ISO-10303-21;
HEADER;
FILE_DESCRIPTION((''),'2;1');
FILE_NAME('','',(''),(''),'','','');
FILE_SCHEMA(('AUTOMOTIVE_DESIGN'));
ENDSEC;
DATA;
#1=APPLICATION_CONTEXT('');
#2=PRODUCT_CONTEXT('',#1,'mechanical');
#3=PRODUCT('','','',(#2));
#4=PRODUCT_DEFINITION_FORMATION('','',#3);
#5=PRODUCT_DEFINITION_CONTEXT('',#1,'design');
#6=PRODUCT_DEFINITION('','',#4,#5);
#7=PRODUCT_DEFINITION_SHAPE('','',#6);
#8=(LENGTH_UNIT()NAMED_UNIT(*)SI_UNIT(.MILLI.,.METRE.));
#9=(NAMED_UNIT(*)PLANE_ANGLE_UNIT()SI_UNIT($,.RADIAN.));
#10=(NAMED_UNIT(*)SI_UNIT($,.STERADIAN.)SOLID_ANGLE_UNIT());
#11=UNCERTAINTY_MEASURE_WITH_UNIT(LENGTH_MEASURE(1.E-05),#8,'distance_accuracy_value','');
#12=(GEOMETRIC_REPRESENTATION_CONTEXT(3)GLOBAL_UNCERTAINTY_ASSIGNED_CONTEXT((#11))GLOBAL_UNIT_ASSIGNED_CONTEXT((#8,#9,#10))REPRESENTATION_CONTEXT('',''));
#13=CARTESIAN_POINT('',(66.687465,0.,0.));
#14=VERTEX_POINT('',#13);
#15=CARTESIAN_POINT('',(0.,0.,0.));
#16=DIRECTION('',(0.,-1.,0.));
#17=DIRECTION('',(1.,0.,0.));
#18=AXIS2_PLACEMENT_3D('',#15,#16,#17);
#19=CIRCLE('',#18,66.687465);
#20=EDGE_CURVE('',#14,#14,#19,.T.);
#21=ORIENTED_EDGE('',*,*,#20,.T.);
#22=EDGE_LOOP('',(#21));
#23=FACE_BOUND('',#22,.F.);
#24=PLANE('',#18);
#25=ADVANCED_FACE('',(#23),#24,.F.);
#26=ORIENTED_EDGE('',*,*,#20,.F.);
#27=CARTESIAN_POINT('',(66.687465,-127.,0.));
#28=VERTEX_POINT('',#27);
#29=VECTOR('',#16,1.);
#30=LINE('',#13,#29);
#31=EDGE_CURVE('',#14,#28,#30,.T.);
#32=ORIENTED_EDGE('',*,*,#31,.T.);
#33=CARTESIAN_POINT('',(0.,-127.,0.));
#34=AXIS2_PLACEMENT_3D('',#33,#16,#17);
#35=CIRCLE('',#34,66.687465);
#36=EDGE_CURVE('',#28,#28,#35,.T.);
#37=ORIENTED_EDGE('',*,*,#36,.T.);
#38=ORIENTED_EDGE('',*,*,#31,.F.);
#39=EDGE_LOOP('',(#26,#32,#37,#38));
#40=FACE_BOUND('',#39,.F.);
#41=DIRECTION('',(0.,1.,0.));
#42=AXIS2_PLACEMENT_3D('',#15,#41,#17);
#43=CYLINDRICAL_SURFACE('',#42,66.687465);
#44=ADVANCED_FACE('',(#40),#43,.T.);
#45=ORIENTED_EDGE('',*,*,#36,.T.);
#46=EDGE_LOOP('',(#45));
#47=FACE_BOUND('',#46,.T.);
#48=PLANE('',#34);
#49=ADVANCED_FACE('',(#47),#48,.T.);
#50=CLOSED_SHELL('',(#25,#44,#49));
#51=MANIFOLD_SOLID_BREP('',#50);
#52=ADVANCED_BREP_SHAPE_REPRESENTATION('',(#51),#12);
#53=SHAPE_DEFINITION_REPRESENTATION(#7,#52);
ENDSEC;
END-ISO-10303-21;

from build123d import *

# Parameters (mm, degrees)
F1_R     = 66.687465
F2_DEPTH = 127


with BuildPart() as f2:
    # F1 (on face) → F2 (new body)
    with BuildSketch(Plane.XZ):
        Circle(F1_R)
    extrude(amount=F2_DEPTH)


solid = f2.part
